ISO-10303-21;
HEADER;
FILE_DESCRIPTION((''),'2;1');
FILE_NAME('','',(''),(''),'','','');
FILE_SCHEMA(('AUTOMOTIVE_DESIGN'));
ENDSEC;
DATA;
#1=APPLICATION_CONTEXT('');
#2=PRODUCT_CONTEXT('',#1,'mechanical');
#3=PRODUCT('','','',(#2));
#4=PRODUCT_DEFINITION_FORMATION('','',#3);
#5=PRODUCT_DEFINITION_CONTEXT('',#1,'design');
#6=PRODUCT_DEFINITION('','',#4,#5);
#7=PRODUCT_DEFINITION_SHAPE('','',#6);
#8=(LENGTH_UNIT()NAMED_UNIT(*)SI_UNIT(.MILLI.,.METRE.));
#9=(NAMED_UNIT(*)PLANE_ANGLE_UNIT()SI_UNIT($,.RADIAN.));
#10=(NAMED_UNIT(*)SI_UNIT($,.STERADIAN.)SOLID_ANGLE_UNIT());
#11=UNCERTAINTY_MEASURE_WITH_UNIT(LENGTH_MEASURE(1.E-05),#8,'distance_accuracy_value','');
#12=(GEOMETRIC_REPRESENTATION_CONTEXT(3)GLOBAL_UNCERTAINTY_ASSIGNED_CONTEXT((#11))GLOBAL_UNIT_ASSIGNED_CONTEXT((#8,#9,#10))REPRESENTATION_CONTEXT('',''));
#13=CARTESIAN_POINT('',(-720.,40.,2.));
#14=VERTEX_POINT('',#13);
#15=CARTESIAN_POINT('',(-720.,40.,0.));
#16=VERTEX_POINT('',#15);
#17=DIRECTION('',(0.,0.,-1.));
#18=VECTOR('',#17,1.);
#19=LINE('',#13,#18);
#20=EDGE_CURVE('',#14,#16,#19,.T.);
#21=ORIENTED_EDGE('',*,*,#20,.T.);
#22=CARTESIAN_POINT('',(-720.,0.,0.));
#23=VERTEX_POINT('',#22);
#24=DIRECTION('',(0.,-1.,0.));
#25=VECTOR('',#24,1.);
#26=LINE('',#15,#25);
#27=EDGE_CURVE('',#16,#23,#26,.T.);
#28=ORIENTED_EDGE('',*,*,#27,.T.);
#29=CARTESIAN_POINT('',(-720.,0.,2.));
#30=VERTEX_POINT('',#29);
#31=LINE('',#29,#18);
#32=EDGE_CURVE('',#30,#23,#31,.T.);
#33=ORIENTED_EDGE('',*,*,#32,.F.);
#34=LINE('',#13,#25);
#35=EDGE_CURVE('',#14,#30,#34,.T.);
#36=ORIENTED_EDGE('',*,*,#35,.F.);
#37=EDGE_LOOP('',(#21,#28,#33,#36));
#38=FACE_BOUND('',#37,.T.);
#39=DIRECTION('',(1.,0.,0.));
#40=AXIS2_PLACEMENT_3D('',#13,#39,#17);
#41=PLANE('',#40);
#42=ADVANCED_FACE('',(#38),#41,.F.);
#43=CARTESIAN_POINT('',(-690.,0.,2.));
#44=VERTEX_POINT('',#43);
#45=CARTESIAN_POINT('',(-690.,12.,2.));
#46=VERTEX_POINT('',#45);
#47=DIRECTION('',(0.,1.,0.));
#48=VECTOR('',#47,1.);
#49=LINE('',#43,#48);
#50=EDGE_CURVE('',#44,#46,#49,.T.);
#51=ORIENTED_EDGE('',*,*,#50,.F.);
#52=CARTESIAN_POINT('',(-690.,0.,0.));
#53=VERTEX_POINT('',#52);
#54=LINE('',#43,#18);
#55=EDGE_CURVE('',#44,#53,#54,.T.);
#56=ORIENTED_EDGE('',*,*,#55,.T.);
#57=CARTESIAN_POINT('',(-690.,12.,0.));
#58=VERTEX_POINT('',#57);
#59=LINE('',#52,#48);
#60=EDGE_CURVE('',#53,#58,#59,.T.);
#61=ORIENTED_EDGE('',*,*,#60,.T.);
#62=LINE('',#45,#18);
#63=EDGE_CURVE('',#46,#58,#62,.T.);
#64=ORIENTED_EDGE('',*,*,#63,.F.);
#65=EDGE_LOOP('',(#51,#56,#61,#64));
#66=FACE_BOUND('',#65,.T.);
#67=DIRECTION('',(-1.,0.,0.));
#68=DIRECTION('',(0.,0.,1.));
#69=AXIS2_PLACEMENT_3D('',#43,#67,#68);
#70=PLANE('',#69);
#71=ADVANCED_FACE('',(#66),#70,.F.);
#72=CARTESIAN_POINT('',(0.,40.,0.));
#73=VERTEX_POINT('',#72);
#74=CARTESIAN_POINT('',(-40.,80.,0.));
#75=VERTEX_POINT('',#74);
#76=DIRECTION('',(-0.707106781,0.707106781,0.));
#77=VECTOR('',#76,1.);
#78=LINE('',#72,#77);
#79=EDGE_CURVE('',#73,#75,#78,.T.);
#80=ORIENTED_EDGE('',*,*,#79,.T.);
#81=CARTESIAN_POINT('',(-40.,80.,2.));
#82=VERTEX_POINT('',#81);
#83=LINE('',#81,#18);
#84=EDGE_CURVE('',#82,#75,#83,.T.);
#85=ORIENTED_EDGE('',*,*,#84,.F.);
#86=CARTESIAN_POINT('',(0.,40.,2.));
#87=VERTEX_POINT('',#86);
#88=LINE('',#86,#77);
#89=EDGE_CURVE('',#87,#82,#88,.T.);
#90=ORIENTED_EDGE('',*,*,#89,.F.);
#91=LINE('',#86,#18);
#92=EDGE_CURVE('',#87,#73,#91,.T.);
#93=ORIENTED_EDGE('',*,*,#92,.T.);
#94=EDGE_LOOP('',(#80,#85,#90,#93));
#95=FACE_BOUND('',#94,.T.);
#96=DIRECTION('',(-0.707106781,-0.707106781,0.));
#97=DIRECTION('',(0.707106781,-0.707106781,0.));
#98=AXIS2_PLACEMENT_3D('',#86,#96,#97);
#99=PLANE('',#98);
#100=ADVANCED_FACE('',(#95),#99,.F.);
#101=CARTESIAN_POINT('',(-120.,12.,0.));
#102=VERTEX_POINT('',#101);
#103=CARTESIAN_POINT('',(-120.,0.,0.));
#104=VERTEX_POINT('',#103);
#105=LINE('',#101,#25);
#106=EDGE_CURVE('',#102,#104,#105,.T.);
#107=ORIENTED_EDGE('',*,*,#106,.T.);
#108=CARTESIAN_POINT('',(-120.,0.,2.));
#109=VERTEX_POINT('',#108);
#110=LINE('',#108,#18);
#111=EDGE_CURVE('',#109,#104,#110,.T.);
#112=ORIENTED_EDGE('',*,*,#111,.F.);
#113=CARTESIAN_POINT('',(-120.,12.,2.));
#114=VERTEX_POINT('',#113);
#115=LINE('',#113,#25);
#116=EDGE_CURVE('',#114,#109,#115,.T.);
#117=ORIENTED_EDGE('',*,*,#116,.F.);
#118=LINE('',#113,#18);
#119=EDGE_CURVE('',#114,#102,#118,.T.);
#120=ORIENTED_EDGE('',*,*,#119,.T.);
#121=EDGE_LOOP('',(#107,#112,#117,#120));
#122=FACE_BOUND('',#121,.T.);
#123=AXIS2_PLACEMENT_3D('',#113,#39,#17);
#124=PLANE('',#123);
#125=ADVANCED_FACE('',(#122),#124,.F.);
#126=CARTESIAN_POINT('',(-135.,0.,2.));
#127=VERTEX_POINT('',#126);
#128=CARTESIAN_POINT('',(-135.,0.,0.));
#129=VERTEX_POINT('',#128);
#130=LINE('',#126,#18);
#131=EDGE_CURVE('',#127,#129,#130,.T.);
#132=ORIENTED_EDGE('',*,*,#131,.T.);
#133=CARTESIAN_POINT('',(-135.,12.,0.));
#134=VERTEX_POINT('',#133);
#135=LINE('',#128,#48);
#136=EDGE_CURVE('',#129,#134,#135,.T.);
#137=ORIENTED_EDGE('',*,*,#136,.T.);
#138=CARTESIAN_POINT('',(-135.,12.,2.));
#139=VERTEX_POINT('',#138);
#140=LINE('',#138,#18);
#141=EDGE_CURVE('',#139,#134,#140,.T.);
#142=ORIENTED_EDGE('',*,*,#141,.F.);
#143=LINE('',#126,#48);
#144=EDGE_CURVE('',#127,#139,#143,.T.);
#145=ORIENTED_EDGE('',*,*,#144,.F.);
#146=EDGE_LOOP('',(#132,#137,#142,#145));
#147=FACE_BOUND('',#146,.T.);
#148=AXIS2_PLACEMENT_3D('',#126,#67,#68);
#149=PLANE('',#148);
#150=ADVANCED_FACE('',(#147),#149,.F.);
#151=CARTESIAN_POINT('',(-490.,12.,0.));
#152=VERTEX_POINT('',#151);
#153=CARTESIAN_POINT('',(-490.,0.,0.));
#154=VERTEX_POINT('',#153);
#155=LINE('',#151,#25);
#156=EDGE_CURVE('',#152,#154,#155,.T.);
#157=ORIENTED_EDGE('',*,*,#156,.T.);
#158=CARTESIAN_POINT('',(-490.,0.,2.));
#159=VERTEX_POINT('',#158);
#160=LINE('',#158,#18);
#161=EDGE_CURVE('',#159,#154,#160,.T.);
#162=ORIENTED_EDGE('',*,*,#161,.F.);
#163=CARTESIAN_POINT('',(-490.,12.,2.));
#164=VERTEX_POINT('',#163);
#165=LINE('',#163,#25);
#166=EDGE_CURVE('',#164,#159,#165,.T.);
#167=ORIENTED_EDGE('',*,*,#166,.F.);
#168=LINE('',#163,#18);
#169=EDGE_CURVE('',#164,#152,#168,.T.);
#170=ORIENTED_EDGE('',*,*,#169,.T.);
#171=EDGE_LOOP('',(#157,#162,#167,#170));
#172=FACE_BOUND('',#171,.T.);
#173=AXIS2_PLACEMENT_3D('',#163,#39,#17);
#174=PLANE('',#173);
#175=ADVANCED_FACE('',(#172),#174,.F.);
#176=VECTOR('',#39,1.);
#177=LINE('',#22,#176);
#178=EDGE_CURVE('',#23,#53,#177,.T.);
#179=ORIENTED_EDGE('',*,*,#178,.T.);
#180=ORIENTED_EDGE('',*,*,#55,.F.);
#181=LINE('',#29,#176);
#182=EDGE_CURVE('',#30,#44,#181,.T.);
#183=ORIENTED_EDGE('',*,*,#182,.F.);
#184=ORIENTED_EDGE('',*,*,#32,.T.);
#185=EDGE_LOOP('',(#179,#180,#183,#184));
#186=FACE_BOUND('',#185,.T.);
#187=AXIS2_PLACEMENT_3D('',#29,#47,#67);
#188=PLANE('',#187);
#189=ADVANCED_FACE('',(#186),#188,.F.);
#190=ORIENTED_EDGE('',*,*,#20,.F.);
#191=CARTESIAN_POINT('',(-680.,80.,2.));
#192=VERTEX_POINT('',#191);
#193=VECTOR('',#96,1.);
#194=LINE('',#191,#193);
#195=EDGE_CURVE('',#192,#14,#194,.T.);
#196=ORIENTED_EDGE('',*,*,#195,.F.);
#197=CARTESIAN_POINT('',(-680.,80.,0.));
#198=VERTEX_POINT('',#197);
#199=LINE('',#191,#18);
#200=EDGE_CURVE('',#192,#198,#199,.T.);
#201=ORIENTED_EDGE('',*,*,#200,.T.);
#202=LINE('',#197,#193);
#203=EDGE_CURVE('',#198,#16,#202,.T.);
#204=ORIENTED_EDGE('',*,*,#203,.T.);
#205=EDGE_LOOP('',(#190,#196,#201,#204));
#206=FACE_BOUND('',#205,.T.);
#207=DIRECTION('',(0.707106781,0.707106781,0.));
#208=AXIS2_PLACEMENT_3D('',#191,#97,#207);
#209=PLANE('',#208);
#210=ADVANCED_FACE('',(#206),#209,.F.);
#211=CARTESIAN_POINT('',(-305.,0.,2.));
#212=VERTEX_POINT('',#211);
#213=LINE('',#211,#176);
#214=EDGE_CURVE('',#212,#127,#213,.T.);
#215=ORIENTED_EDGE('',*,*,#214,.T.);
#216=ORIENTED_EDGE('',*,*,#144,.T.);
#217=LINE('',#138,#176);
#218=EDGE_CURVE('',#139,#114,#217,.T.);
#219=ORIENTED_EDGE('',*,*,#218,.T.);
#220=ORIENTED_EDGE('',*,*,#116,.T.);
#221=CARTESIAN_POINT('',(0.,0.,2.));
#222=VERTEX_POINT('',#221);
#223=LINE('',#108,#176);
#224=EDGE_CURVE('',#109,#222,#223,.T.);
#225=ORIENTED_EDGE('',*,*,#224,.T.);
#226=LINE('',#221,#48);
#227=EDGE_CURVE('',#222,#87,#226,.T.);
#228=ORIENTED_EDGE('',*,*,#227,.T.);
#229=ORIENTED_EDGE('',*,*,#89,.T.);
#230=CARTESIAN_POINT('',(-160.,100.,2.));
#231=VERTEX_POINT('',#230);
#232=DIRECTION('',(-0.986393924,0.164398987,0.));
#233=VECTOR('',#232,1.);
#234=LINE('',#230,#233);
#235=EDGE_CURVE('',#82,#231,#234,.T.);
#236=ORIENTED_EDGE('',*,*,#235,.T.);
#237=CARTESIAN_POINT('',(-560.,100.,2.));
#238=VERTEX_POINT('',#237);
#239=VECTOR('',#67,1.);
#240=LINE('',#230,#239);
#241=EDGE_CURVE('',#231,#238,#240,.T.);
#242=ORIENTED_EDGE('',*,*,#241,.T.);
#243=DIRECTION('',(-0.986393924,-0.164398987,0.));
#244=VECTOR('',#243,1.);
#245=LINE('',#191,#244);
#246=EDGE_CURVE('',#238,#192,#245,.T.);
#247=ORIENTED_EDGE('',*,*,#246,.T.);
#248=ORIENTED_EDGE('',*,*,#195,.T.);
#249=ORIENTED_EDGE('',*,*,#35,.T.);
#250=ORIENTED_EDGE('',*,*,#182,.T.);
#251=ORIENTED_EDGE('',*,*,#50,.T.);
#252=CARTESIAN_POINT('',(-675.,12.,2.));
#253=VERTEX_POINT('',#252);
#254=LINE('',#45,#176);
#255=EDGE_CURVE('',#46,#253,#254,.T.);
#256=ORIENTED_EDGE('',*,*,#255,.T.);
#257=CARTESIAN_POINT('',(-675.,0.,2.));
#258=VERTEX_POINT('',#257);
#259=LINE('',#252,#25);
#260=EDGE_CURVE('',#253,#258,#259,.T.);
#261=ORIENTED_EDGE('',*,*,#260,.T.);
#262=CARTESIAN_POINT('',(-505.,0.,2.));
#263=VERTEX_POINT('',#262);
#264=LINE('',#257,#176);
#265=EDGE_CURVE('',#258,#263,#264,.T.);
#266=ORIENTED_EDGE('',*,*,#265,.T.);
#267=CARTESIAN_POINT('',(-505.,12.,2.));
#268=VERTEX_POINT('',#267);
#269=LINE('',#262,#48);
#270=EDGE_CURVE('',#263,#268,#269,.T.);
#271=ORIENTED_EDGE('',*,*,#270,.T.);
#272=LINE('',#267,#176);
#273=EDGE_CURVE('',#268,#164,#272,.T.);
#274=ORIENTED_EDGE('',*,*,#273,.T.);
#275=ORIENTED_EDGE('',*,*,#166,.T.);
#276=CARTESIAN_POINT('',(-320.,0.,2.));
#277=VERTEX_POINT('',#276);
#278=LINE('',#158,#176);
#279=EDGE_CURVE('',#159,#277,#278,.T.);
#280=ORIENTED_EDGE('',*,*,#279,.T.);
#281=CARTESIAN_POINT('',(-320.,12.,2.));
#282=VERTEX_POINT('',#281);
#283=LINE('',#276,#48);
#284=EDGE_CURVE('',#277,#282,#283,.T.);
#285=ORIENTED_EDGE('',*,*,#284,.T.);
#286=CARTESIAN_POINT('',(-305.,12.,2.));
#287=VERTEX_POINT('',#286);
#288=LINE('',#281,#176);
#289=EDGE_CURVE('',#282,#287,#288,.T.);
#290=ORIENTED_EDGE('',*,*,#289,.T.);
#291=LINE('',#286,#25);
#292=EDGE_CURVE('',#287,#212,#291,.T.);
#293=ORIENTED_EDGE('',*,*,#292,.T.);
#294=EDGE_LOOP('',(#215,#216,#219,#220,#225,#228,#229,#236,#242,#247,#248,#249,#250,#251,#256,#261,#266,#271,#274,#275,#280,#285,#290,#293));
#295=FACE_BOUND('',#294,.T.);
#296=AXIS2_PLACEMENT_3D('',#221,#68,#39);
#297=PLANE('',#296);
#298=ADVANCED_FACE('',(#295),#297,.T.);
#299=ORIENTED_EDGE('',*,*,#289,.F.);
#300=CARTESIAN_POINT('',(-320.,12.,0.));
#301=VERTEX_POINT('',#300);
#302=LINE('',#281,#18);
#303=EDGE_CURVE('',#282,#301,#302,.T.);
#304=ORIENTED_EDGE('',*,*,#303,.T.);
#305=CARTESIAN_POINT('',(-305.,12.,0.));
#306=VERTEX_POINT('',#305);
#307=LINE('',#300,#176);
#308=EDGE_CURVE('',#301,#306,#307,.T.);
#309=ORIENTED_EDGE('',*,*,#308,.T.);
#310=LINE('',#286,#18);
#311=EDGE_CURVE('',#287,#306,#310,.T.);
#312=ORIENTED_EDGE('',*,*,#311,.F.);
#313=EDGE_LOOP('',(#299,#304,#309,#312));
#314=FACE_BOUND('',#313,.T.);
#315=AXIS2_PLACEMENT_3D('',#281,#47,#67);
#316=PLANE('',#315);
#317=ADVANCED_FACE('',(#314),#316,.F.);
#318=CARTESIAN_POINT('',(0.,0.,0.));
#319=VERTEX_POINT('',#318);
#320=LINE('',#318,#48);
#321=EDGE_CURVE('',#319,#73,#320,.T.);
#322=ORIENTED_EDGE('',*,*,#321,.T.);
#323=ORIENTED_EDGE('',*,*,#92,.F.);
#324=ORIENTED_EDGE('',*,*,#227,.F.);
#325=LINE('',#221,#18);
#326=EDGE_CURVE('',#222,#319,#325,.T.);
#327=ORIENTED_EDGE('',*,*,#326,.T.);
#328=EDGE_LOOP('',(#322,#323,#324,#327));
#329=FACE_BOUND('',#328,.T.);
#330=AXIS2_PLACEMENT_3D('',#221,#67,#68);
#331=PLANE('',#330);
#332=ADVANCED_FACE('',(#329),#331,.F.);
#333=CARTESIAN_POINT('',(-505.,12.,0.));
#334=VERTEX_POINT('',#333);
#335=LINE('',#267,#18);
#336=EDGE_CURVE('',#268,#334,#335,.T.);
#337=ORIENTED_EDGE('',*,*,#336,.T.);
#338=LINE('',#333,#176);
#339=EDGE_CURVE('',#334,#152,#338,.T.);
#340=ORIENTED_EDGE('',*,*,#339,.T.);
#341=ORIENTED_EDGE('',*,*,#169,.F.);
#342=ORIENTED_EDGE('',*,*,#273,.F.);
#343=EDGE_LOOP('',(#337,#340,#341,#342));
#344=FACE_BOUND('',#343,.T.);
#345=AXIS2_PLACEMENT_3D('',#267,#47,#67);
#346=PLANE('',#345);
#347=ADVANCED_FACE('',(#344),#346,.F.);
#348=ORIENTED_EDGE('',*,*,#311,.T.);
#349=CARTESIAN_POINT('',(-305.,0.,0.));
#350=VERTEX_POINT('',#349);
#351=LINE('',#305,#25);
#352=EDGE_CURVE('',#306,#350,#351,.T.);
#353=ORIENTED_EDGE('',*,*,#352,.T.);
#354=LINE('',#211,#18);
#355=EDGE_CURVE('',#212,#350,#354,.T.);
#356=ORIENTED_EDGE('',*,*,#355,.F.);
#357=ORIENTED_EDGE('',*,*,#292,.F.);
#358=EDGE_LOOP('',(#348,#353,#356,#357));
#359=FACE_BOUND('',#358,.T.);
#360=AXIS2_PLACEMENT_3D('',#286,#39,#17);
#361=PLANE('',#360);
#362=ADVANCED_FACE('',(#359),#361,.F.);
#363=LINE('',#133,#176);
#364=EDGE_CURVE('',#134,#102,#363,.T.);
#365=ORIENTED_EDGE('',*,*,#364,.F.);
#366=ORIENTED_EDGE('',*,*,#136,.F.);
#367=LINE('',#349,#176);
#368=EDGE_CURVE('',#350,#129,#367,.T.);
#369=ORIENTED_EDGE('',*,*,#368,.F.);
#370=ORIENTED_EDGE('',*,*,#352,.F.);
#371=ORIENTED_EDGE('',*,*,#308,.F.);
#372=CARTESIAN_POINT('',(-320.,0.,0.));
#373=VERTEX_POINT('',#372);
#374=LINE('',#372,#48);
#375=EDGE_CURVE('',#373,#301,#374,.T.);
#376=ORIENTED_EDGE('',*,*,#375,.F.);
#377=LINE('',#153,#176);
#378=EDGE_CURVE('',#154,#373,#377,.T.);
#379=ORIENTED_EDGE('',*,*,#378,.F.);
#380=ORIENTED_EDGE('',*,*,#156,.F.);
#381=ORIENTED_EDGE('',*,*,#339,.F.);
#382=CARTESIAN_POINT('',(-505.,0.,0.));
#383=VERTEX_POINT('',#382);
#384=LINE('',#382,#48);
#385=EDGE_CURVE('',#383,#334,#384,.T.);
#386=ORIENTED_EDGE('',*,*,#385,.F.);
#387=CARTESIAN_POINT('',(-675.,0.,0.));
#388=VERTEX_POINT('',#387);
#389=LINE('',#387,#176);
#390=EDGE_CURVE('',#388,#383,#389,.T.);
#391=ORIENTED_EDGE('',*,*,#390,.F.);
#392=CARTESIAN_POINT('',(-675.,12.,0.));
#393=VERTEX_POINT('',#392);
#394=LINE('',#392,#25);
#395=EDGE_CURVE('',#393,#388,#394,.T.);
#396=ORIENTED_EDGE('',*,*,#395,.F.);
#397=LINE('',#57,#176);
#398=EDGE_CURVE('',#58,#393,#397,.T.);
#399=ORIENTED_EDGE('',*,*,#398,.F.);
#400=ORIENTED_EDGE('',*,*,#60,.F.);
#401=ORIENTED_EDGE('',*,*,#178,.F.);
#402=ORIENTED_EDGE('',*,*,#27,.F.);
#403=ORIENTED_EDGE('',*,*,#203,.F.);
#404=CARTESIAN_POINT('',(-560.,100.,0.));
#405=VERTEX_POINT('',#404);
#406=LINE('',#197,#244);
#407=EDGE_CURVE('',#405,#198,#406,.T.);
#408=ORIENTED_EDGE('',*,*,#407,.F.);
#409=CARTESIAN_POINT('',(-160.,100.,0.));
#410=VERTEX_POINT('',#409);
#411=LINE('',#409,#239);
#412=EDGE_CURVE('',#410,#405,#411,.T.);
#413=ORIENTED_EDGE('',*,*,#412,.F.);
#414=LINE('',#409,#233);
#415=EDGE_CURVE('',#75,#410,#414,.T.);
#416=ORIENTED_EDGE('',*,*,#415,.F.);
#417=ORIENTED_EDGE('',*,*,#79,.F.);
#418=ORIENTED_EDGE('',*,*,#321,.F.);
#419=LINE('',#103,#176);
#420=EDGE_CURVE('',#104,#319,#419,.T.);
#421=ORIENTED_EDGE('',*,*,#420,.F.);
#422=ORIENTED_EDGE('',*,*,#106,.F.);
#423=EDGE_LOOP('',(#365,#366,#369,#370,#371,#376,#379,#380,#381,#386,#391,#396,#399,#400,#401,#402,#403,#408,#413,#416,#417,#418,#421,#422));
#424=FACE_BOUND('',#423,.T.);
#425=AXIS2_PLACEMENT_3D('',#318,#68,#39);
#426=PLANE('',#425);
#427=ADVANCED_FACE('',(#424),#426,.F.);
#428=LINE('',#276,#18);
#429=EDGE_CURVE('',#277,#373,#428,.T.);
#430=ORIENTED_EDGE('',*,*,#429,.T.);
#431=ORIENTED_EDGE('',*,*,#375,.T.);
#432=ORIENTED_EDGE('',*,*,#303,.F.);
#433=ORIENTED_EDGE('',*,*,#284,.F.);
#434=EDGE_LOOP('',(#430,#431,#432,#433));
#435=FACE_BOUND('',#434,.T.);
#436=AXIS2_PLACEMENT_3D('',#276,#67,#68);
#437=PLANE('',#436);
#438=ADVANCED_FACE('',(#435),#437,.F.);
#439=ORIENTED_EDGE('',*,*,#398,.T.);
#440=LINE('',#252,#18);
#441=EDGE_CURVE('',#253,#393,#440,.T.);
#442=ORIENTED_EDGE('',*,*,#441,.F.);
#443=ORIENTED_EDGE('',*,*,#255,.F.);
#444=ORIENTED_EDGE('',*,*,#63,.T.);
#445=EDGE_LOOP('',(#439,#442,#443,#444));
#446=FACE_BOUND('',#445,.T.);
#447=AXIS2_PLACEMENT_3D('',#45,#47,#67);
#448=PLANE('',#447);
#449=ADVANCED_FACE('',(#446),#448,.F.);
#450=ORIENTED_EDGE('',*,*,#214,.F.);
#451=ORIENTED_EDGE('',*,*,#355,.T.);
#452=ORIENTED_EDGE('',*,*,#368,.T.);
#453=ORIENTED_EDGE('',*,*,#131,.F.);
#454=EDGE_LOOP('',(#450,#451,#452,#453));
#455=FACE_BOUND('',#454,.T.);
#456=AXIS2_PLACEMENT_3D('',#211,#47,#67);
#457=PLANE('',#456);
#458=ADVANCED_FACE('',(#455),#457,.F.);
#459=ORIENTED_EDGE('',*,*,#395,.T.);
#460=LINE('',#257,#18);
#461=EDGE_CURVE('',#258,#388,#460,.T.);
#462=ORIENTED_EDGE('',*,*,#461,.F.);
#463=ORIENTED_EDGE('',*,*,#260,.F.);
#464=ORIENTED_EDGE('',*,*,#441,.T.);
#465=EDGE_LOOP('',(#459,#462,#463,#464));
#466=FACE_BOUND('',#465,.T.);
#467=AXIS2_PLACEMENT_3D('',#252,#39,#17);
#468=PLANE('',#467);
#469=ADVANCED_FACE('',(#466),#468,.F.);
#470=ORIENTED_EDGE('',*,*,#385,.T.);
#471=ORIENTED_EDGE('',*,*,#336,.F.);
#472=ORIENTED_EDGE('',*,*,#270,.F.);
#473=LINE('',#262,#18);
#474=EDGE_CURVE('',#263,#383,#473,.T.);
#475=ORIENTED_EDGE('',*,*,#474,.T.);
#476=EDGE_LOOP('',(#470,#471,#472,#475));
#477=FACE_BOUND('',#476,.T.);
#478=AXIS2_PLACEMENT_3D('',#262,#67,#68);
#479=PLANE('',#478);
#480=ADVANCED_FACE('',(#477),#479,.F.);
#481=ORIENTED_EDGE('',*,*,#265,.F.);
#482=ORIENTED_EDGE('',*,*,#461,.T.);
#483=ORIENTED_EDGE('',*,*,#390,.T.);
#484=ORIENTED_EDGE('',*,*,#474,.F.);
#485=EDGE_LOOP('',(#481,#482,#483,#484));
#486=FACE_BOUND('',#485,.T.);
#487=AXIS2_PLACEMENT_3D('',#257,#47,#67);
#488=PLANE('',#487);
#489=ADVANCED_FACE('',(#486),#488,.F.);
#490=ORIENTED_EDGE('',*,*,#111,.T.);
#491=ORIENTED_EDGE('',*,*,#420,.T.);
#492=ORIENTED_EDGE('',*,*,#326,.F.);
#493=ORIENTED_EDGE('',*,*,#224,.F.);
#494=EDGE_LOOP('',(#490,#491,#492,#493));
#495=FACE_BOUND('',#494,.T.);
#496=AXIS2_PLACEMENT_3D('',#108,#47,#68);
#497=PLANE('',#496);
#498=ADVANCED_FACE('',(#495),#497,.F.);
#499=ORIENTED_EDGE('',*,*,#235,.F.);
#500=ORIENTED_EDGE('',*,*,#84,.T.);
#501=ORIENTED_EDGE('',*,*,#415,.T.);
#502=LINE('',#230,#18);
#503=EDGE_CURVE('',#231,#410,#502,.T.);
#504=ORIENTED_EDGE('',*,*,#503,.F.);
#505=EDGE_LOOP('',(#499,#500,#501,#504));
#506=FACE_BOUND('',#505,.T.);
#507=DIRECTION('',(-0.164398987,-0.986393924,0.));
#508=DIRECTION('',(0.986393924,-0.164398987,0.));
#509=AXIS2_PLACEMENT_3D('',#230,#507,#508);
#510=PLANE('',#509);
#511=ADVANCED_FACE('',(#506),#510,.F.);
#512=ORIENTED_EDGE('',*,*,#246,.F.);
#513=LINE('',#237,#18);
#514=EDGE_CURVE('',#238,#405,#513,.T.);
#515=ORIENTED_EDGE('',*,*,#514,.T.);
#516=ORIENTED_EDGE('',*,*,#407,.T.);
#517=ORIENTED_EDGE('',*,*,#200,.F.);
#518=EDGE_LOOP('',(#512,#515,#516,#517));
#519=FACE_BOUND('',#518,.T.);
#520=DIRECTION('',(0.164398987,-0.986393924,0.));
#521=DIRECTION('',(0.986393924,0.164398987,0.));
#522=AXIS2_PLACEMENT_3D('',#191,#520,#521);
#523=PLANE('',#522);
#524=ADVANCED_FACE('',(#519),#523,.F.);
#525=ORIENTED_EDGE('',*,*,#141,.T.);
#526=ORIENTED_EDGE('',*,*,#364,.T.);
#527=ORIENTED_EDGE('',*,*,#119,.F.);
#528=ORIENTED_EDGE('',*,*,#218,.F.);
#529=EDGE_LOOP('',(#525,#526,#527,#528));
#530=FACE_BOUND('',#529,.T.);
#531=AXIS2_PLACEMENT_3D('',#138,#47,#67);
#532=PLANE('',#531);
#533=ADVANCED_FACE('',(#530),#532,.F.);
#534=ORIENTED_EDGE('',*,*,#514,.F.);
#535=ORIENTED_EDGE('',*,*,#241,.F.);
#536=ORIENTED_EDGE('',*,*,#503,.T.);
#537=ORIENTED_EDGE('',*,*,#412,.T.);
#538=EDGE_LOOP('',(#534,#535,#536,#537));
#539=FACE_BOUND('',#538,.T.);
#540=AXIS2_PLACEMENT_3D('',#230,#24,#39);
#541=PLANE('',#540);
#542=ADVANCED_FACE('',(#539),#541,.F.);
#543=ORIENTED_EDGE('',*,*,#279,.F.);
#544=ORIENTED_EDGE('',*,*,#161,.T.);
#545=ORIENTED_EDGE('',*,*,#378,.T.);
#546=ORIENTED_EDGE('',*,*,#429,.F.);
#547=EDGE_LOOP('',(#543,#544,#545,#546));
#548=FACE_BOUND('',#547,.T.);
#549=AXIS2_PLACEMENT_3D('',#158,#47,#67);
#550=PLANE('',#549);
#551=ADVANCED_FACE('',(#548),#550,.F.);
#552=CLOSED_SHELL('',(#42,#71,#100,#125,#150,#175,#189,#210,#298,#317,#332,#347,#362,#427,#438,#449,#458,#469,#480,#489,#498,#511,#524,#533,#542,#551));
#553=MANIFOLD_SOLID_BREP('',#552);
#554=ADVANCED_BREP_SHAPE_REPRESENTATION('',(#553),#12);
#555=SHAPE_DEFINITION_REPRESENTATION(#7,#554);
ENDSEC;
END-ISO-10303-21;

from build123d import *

# Parameters (mm, degrees)
AUFSATZ_LINEAR_AUSTRAGEN1_DEPTH = 2


with BuildPart() as part:
    # Skizze1 → Aufsatz-Linear austragen1 (new body)
    with BuildSketch(Plane.XY):
        Polygon((-720, 0), (-690, 0), (-690, 12), (-675, 12), (-675, 0), (-505, 0), (-505, 12), (-490, 12), (-490, 0), (-320, 0), (-320, 12), (-305, 12), (-305, 0), (-135, 0), (-135, 12), (-120, 12), (-120, 0), (0, 0), (0, 40), (-40, 80), (-160, 100), (-560, 100), (-680, 80), (-720, 40), align=None)
    extrude(amount=AUFSATZ_LINEAR_AUSTRAGEN1_DEPTH)


solid = part.part
